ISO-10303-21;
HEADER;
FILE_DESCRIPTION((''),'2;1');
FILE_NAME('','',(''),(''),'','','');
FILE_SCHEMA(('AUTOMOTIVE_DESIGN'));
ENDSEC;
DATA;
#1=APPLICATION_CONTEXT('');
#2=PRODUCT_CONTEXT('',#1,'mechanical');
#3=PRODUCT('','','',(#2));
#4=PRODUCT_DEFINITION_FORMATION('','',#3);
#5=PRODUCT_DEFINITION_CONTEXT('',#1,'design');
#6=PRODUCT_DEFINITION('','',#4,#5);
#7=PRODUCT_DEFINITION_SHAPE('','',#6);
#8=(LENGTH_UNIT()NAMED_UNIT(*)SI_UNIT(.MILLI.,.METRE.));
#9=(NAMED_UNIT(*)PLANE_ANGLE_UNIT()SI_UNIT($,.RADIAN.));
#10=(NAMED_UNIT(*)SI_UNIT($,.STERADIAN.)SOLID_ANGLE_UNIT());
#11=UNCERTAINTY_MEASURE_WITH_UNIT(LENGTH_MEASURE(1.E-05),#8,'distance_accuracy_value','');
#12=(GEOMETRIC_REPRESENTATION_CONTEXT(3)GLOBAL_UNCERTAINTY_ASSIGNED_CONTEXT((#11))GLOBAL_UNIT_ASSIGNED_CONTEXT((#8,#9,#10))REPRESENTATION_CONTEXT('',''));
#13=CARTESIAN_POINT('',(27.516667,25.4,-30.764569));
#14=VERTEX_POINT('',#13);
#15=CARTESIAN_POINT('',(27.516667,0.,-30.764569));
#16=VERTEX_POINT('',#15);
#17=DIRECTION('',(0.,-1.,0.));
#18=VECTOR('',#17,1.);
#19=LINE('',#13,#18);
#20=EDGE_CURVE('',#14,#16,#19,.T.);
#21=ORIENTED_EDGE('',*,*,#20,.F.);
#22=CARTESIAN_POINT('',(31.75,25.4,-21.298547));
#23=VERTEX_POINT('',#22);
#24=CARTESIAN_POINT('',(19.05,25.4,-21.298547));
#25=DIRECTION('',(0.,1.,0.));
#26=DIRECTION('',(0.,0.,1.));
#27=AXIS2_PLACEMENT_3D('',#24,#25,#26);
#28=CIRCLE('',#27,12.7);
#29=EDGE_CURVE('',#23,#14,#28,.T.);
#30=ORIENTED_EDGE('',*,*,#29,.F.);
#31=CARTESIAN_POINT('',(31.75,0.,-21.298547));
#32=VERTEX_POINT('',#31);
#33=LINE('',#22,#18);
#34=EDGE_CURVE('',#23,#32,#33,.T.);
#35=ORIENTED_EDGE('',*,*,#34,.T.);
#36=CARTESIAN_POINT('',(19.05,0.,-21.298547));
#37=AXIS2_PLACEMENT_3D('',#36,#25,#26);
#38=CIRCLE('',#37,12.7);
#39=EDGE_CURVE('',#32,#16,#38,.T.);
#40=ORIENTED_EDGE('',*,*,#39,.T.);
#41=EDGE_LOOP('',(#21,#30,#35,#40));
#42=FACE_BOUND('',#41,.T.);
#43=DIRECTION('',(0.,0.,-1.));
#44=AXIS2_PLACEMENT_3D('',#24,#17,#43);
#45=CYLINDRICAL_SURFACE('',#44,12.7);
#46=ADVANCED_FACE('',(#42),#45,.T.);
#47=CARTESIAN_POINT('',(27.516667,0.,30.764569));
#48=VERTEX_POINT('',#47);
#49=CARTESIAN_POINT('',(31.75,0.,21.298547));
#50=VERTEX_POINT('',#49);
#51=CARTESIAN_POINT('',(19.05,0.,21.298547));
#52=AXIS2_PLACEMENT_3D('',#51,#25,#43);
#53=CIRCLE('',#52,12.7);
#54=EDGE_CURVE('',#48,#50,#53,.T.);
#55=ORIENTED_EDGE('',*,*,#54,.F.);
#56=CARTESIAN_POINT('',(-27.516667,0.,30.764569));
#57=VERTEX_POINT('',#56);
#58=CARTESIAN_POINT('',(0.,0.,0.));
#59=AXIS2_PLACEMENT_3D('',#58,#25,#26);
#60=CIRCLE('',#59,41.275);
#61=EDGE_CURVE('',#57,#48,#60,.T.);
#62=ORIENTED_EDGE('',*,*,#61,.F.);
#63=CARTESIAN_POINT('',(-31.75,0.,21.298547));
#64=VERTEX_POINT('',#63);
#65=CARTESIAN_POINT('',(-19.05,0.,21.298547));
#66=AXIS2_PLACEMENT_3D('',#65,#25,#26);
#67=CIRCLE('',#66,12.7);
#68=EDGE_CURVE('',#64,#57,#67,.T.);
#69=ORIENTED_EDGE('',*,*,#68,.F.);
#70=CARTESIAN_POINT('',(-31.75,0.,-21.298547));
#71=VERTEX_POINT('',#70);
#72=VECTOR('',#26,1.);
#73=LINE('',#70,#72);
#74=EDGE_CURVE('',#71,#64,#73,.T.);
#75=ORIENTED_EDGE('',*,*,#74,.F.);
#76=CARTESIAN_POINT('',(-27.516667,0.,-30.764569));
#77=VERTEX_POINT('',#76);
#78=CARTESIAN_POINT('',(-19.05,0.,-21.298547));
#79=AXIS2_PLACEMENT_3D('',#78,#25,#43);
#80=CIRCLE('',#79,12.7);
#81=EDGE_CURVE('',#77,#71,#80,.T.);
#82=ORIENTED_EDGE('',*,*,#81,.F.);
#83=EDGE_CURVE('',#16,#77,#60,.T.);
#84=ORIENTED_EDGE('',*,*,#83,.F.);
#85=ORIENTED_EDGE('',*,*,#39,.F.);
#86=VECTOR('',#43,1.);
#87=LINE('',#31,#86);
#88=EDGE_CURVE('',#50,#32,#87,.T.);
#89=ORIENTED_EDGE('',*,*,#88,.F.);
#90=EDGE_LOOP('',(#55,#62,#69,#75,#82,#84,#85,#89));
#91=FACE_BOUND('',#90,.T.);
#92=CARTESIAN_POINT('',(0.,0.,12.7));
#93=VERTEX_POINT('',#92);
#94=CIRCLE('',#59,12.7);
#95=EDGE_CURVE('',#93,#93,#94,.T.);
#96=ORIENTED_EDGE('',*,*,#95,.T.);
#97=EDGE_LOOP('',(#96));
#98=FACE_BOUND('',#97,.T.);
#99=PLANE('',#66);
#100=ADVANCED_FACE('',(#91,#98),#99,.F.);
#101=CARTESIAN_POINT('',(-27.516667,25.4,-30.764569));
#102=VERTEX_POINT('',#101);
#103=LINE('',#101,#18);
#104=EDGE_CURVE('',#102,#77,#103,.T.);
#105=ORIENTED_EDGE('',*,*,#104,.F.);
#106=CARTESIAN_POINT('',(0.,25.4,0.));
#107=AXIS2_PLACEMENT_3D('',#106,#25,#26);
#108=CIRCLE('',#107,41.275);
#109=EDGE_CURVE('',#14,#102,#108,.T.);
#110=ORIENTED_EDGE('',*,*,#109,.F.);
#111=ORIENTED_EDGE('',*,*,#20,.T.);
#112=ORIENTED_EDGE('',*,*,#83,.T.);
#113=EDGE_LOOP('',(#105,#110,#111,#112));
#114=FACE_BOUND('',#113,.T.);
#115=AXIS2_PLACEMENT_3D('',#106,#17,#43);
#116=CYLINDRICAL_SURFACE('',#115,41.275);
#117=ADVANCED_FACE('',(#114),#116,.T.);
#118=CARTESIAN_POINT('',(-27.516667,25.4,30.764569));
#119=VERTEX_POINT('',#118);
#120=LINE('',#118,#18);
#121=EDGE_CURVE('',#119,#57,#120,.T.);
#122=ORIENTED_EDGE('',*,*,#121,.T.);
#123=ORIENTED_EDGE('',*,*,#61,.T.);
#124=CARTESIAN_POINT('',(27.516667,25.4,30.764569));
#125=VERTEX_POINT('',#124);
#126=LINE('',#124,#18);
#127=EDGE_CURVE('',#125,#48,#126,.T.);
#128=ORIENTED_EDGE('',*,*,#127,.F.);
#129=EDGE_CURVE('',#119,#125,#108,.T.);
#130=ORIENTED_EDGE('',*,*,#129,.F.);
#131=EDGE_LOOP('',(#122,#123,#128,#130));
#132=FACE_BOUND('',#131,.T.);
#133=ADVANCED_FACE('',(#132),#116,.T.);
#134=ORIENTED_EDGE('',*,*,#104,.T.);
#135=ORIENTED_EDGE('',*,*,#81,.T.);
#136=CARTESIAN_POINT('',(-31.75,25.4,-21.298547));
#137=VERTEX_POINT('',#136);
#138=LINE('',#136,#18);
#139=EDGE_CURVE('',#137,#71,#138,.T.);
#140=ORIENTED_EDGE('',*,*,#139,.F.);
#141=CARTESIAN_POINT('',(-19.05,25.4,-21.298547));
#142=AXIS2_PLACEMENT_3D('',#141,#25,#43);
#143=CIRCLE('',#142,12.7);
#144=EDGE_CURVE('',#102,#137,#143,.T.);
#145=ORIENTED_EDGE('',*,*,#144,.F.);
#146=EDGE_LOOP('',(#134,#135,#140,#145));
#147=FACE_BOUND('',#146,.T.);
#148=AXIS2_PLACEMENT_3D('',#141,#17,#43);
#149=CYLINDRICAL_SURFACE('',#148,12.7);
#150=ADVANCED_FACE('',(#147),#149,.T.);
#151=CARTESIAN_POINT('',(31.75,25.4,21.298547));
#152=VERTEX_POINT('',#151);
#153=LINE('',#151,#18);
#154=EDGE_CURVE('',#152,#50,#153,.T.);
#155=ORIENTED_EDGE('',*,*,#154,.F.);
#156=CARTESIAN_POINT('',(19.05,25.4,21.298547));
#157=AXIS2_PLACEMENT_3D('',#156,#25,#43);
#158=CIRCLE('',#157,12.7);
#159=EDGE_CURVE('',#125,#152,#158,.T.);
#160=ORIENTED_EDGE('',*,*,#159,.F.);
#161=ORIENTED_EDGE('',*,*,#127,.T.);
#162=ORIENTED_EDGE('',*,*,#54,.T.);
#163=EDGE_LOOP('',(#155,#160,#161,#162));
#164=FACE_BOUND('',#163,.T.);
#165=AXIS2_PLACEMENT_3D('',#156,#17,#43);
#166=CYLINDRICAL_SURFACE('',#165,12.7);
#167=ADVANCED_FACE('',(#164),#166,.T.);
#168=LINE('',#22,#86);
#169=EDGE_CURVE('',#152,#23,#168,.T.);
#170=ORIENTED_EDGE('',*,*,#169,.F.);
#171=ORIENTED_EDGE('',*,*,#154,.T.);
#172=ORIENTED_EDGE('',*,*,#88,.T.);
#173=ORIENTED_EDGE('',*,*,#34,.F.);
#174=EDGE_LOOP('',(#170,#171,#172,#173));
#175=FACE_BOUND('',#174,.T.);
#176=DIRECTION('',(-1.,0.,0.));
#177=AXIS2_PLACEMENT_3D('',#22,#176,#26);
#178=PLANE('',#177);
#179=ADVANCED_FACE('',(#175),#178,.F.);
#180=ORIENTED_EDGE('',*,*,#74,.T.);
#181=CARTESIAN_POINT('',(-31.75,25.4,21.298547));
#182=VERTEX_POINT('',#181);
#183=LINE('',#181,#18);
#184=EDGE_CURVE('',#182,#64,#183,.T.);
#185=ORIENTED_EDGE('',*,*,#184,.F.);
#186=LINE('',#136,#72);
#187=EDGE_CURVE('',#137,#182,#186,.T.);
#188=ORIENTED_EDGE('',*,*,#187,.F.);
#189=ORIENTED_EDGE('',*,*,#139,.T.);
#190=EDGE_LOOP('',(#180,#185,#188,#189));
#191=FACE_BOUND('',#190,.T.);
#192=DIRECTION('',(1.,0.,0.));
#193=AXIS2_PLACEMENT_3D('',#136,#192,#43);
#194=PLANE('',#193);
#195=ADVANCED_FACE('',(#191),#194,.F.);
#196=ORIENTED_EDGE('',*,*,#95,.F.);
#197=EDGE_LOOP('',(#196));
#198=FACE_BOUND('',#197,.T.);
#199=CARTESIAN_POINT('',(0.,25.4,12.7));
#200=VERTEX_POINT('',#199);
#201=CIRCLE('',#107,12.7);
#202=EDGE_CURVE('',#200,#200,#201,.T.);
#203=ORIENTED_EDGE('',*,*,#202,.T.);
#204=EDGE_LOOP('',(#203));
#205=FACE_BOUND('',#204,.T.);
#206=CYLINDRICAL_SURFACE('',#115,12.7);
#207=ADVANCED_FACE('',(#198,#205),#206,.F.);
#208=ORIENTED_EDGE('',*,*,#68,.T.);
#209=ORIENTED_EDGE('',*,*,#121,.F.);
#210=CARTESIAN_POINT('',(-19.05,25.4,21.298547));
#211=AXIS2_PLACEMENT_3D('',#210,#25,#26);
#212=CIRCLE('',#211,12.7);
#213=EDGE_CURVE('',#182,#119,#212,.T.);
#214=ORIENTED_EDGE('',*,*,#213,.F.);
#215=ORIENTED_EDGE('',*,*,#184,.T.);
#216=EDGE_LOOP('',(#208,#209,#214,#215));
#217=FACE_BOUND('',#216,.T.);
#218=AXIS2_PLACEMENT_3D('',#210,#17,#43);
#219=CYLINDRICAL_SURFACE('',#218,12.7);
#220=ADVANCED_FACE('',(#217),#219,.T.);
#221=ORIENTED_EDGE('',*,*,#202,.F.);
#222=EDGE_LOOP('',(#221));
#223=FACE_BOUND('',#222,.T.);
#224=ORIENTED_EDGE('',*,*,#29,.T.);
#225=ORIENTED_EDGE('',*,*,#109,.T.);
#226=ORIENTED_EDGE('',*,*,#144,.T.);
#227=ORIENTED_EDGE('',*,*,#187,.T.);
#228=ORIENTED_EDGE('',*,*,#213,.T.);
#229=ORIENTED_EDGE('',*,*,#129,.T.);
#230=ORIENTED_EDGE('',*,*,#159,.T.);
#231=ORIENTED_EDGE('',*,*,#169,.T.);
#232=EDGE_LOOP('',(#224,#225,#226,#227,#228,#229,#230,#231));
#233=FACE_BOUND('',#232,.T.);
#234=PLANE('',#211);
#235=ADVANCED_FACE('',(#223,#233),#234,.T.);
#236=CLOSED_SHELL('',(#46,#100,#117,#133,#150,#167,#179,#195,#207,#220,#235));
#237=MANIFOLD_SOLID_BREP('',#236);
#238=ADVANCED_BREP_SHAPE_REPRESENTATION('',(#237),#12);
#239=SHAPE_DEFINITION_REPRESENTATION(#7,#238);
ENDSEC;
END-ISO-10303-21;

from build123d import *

# Parameters (mm, degrees)
SKETCH1_R      = 12.7
EXTRUDE2_DEPTH = 25.4


with BuildPart() as part:
    # Sketch1 → Extrude2 (new body)
    with BuildSketch(Plane(origin=(0, 0, 0), x_dir=(1, 0, 0), z_dir=(0, 1, 0))):
        with BuildLine():
            Line((-31.75, 21.298547486), (-31.75, -21.298547486))
            ThreePointArc((-31.75, -21.298547486), (-30.643460801, -26.483300775), (-27.516666667, -30.76456859))
            ThreePointArc((-27.516666667, -30.76456859), (0, -41.275), (27.516666667, -30.76456859))
            ThreePointArc((27.516666667, -30.76456859), (30.643460801, -26.483300775), (31.75, -21.298547486))
            Line((31.75, -21.298547486), (31.75, 21.298547486))
            ThreePointArc((31.75, 21.298547486), (30.643460801, 26.483300775), (27.516666667, 30.76456859))
            ThreePointArc((27.516666667, 30.76456859), (0, 41.275), (-27.516666667, 30.76456859))
            ThreePointArc((-27.516666667, 30.76456859), (-30.643460801, 26.483300775), (-31.75, 21.298547486))
        make_face()
        with Locations(Location((0, 0, 0), (0, 0, 270))):
            Circle(SKETCH1_R, mode=Mode.SUBTRACT)
    extrude(amount=EXTRUDE2_DEPTH)


solid = part.part
